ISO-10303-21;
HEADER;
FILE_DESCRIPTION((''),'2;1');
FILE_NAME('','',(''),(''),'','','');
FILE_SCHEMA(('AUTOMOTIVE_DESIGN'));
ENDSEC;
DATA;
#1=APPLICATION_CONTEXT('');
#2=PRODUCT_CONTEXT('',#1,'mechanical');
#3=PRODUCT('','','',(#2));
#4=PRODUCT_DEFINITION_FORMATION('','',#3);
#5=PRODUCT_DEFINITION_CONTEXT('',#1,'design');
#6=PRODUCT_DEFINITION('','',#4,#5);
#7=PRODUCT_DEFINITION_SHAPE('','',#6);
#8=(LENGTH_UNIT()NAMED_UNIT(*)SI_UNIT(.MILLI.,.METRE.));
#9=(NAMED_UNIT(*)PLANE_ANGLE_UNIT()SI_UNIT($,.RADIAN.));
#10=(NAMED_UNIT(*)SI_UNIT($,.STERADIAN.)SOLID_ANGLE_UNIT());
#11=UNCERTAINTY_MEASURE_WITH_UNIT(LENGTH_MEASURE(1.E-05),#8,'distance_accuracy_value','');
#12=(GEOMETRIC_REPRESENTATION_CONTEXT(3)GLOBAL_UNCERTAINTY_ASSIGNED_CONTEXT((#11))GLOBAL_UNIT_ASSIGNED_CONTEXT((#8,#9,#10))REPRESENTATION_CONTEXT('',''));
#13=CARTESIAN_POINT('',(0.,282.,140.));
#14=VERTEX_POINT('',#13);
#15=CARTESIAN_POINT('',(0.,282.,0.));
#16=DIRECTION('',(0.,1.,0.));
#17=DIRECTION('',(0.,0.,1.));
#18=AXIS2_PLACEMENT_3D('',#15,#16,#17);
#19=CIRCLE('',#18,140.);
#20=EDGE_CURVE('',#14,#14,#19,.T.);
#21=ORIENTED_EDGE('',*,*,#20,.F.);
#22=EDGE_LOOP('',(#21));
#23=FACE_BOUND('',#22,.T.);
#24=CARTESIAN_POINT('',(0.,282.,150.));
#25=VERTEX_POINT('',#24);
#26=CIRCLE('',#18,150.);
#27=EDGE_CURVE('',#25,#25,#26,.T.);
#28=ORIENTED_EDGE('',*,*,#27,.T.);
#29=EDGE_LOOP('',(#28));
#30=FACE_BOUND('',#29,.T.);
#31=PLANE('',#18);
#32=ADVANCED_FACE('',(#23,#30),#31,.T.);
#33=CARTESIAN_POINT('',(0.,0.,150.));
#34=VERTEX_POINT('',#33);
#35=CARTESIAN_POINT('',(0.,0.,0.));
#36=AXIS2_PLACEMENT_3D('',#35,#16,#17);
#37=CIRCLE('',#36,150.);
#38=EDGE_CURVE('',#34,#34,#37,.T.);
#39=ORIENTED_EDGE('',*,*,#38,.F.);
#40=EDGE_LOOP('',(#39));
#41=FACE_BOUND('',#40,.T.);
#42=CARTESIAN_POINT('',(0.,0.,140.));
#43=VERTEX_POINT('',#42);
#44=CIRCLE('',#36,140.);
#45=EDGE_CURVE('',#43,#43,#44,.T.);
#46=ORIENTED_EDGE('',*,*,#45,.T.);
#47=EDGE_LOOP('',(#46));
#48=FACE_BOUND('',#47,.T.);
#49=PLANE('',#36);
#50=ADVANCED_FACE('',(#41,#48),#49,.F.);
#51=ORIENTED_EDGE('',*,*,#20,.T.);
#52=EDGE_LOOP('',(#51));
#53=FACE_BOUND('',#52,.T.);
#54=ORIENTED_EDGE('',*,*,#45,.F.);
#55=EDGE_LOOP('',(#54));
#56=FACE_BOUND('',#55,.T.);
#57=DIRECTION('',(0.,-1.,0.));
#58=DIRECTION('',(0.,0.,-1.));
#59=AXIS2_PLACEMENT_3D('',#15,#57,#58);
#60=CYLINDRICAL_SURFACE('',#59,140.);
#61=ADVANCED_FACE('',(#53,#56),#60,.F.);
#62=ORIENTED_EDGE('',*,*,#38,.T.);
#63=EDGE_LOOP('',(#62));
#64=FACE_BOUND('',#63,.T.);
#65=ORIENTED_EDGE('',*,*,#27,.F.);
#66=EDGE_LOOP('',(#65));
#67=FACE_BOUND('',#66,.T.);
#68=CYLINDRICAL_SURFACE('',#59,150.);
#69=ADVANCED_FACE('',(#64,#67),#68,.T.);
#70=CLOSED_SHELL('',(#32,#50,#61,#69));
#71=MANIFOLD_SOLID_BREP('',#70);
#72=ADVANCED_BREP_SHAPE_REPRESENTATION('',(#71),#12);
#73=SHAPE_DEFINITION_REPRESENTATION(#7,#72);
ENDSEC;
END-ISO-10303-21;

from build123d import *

# Parameters (mm, degrees)
BOSS_EXTRUDE1_DEPTH = 282


with BuildPart() as part:
    # Sketch2 → Boss-Extrude1 (new body)
    with BuildSketch(Plane(origin=(0, 0, 0), x_dir=(1, 0, 0), z_dir=(0, 1, 0))):
        with BuildLine():
            ThreePointArc((150, 0), (106.066017178, 106.066017178), (0, 150))
            Line((0, 150), (0, 140))
            ThreePointArc((0, 140), (98.994949366, 98.994949366), (140, 0))
            ThreePointArc((140, 0), (98.994949366, -98.994949366), (0, -140))
            Line((0, -140), (0, -150))
            ThreePointArc((0, -150), (106.066017178, -106.066017178), (150, 0))
        make_face()
        with BuildLine():
            Line((0, 140), (0, 150))
            ThreePointArc((0, 150), (-150, 0), (0, -150))
            Line((0, -150), (0, -140))
            ThreePointArc((0, -140), (-140, 0), (0, 140))
        make_face()
    extrude(amount=BOSS_EXTRUDE1_DEPTH)


solid = part.part
